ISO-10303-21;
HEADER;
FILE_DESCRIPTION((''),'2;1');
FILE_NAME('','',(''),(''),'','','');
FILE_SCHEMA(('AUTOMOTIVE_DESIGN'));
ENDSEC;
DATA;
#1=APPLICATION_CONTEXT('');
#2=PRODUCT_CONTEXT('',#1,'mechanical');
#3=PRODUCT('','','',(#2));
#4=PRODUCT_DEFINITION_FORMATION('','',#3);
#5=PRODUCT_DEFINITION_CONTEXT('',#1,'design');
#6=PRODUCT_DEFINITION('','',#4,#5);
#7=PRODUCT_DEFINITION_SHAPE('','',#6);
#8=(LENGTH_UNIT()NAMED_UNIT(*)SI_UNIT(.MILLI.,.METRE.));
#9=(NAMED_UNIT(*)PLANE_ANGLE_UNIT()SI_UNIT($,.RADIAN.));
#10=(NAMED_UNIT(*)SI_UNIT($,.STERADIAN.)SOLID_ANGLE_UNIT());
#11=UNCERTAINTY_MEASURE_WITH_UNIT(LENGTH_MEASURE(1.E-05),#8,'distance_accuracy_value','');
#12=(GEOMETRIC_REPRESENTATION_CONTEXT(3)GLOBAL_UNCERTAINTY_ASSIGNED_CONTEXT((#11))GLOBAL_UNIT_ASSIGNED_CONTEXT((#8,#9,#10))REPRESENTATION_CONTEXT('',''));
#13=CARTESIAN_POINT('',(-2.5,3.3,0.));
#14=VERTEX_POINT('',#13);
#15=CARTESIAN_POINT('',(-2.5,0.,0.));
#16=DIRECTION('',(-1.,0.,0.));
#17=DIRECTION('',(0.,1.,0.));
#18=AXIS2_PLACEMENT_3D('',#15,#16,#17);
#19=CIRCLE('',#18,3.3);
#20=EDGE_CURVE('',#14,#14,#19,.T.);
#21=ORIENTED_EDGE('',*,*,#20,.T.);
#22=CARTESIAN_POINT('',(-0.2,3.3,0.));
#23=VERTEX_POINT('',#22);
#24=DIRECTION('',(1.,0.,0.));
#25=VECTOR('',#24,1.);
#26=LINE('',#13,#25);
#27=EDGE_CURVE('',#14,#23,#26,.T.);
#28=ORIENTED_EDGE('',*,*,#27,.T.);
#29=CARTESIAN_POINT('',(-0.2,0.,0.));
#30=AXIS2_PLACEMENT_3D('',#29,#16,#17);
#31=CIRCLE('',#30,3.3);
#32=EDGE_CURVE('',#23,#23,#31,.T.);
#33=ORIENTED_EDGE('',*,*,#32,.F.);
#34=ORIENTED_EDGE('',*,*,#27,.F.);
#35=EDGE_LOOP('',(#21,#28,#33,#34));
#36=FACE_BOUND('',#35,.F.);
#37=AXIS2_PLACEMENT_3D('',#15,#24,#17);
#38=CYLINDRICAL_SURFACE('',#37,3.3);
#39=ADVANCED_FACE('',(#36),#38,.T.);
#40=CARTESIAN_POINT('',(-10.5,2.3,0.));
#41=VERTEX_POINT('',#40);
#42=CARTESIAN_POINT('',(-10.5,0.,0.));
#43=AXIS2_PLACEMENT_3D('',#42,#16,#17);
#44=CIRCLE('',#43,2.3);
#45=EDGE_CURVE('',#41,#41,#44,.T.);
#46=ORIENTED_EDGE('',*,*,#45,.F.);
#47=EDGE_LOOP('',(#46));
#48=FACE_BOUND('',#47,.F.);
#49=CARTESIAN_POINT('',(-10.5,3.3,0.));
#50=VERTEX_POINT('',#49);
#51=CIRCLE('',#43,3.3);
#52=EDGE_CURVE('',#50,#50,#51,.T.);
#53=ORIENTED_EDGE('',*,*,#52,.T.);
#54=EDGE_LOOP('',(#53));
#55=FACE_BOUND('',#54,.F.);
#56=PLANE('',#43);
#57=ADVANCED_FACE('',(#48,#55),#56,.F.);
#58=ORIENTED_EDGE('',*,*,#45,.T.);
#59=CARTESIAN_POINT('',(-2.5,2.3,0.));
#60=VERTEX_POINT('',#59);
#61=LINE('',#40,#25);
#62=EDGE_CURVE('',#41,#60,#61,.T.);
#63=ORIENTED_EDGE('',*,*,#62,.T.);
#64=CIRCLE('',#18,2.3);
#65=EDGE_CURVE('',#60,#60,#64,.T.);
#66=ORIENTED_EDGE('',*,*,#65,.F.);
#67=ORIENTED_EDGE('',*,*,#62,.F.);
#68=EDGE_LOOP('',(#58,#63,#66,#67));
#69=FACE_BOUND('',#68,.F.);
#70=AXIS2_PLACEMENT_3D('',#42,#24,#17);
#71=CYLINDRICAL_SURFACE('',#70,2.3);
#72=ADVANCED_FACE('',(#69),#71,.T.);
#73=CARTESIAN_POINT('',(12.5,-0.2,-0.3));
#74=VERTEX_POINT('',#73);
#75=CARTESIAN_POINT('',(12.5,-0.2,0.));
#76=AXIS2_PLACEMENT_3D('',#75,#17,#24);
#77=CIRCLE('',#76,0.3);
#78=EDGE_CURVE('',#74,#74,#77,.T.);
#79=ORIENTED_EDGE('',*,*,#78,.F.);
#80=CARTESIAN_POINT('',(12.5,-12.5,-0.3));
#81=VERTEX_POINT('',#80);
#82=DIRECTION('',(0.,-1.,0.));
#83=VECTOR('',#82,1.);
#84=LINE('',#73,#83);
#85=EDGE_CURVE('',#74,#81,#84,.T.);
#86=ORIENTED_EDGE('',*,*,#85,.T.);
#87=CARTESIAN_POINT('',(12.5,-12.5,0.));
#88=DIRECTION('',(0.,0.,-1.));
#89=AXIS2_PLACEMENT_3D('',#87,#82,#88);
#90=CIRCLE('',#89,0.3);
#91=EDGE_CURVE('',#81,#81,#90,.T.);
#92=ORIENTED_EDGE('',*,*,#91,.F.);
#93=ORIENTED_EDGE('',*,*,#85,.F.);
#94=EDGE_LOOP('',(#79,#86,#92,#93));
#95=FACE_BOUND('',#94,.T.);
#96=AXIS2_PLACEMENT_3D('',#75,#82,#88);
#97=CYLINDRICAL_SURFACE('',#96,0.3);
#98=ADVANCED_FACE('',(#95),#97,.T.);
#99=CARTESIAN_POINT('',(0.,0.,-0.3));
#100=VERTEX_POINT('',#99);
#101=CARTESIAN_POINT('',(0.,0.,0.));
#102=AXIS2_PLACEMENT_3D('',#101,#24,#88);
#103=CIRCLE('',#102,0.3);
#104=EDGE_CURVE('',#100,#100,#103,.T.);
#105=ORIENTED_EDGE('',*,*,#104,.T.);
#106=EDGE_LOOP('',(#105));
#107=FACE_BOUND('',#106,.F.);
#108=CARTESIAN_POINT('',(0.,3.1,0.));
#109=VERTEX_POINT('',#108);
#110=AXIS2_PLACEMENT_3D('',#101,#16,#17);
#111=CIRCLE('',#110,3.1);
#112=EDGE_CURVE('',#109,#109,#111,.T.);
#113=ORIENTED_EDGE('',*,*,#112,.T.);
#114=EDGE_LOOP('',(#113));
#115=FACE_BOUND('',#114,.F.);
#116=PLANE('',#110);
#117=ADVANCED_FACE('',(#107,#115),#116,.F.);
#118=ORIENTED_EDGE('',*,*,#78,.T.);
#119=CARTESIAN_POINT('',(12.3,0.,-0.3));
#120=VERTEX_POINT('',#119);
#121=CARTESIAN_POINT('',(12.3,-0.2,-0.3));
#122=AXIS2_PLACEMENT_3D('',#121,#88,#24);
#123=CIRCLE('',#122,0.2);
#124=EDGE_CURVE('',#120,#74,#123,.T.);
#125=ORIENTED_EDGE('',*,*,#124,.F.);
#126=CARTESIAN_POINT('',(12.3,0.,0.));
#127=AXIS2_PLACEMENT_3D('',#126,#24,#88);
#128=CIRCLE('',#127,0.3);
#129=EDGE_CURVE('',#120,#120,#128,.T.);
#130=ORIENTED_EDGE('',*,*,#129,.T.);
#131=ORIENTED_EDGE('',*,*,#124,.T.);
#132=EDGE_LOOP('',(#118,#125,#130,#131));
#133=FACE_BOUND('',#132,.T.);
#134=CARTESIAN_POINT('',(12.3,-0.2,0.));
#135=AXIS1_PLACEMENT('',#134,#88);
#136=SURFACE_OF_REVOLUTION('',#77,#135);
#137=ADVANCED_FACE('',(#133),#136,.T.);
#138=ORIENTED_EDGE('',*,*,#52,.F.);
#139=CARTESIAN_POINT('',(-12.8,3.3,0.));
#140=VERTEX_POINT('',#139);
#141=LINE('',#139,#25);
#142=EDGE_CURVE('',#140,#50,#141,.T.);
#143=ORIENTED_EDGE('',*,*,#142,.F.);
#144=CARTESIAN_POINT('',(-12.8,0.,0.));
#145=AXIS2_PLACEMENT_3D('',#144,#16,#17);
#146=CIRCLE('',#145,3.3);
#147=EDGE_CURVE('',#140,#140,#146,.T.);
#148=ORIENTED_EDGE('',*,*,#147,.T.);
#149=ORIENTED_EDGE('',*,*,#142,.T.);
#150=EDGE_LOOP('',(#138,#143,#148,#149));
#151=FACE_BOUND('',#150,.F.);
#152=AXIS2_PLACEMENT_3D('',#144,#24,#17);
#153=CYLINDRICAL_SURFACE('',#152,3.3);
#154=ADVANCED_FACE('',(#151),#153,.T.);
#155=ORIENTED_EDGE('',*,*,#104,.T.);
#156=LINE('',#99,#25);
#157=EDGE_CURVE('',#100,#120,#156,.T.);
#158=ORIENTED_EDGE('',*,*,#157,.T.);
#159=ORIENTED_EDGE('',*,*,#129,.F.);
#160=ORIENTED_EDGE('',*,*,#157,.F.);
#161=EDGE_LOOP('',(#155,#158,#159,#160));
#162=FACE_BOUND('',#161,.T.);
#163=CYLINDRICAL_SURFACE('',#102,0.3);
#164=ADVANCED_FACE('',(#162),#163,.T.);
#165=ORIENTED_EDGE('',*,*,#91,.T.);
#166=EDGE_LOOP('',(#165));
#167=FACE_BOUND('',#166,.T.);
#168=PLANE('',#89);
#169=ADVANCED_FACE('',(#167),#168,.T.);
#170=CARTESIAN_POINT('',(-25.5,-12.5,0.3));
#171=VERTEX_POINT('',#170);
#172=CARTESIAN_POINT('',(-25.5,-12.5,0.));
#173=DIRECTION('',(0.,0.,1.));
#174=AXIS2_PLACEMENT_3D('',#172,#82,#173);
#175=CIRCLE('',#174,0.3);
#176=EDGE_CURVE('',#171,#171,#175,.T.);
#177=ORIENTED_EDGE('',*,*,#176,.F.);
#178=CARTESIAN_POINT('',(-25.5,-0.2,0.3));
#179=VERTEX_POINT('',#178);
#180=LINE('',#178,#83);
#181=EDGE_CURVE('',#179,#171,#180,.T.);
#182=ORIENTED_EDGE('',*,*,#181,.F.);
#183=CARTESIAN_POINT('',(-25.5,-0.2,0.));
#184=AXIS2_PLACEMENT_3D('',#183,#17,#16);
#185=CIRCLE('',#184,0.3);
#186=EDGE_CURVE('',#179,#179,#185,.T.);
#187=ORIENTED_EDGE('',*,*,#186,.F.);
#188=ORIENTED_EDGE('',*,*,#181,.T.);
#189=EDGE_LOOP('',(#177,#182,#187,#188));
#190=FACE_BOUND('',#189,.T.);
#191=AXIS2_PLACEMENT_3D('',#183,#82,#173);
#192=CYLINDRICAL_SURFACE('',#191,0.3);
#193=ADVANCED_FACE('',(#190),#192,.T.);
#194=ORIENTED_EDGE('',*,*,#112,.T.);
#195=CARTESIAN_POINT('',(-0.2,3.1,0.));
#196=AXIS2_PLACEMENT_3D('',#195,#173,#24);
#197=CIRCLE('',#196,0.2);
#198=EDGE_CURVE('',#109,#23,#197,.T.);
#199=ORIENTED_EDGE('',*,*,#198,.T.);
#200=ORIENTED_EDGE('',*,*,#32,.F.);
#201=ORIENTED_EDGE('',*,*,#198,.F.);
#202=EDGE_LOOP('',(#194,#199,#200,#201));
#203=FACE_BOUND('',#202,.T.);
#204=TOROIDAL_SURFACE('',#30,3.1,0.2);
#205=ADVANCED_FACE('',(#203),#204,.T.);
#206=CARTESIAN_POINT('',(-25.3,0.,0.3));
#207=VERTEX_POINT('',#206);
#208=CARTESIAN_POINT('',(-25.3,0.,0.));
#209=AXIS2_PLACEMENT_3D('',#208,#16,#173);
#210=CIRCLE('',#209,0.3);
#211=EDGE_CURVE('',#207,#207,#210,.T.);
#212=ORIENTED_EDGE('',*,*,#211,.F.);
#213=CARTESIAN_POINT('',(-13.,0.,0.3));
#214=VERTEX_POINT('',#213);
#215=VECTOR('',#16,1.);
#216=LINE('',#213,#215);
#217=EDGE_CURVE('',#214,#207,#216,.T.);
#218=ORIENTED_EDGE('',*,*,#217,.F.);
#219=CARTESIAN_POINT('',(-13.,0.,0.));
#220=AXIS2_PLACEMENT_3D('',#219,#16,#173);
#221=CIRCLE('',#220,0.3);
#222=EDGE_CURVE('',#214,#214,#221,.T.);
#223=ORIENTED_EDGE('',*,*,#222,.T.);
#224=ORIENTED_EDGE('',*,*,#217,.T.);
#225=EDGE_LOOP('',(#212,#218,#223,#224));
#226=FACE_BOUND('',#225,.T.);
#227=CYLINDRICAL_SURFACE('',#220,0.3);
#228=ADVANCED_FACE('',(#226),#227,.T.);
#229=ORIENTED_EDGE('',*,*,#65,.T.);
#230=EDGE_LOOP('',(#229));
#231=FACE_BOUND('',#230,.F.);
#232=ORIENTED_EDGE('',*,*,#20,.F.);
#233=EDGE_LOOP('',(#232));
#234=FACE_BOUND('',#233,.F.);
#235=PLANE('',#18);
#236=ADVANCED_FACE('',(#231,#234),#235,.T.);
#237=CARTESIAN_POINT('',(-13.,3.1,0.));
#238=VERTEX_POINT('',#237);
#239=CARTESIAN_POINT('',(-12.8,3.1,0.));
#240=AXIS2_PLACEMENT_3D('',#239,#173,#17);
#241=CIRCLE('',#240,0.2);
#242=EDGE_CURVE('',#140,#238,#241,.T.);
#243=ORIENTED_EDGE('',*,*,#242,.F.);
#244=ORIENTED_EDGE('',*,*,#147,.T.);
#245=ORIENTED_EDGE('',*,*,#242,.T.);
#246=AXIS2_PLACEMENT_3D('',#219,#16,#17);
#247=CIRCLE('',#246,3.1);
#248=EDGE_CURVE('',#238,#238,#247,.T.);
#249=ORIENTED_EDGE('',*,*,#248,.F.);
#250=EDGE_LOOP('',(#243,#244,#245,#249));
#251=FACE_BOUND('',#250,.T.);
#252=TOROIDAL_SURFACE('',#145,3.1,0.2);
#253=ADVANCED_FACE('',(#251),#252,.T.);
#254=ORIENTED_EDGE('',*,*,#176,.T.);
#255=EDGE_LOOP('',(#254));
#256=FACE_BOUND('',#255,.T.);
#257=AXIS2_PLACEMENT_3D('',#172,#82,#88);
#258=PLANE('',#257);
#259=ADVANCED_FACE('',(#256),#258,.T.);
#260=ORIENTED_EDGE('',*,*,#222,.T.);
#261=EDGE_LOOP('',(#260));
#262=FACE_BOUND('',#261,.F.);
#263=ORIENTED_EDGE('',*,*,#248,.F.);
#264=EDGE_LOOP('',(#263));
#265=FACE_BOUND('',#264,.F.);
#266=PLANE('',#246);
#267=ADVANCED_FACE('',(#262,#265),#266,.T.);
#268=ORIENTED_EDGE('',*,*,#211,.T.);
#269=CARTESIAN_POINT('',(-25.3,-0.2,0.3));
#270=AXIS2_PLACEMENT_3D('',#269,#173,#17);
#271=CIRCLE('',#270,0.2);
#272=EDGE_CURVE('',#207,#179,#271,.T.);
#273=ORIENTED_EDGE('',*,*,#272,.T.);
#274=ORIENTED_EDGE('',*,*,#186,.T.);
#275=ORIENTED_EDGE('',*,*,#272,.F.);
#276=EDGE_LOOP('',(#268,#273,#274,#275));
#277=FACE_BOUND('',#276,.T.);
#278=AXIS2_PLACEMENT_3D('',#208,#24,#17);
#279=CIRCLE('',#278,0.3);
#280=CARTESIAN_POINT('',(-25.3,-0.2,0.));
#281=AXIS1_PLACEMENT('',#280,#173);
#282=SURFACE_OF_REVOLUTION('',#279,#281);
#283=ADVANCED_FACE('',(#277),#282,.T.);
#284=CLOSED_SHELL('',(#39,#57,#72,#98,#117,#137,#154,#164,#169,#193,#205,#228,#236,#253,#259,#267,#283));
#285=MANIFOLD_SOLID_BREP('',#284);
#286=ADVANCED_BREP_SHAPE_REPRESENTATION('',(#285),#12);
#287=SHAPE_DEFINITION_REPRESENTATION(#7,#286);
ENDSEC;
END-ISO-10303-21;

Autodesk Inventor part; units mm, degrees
ref_plane "YZ Plane" through (0, 0, 0) normal (1, 0, 0) x (0, 1, 0)
ref_plane "XZ Plane" through (0, 0, 0) normal (0, 1, 0) x (-1, 0, 0)
ref_plane "XY Plane" through (0, 0, 0) normal (0, 0, 1) x (1, 0, 0)
sketch "Sketch1" plane through (0, 0, 0) normal (0, 0, 1) x (1, 0, 0)
  line L0 (0, 0) -> (-13, 0)
  line L1 (-13, 0) -> (-13, 3.1)
  line L2 (-12.8, 3.3) -> (-10.5, 3.3)
  line L3 (-10.5, 3.3) -> (-10.5, 2.3)
  line L4 (-10.5, 2.3) -> (-2.5, 2.3)
  line L5 (-2.5, 2.3) -> (-2.5, 3.3)
  line L6 (-2.5, 3.3) -> (-0.2, 3.3)
  line L7 (0, 3.1) -> (0, 0)
  arc A0 (-12.8, 3.3) -> (-13, 3.1) centre (-12.8, 3.1) ccw
  arc A1 (0, 3.1) -> (-0.2, 3.3) centre (-0.2, 3.1) ccw
  line L8 (-10.5, 2.3) -> (-10.5, 0)
  line L9 (-2.5, 2.3) -> (-2.5, 0)
  point P0 (-13, 3.3)
  point P1 (0, 3.3)
  dimension "d0" = 13
  dimension "d1" = 3.3
  dimension "d2" = 2.5
  dimension "d3" = 1
  dimension "d5" = 8
  dimension "d6" = 1
  dimension "d7" = 2.5
  dimension "d8" = 0.2
revolve "Revolution1" add sketch "Sketch1" angle 360 about axis through (0, 0, 0) along (-1, 0, 0)
ref_plane "Work Plane1" through (0, 0, 0) normal (1, 0, 0) x (0, 0, -1)
sketch "Sketch2" plane through (0, 0, 0) normal (1, 0, 0) x (0, 0, -1)
  circle A0 centre (0, 0) radius 0.3
  dimension "d11" = 0.6
sketch "Sketch3" plane through (0, 0, 0) normal (0, 0, 1) x (1, 0, 0)
  line L0 (0, 0) -> (12.3, 0)
  line L1 (12.5, -0.2) -> (12.5, -12.5)
  arc A0 (12.5, -0.2) -> (12.3, 0) centre (12.3, -0.2) ccw
  point P0 (12.5, 0)
  dimension "d12" = 12.5
  dimension "d13" = 12.5
  dimension "d14" = 0.2
sweep "Sweep1" add profiles "Sketch2" path "Sketch3"
ref_plane "Work Plane2" through (-13, 0, 0) normal (-1, 0, 0) x (0, 0, 1)
sketch "Sketch4" plane through (-13, 0, 0) normal (-1, 0, 0) x (0, 0, 1)
  circle A0 centre (0, 0) radius 0.3 projected
  circle A1 centre (0, 0) radius 0.3
  point P0 (0, 0)
  dimension "d18" = 0.6
sketch "Sketch5" plane through (0, 0, 0) normal (0, 0, 1) x (1, 0, 0)
  line L0 (-13, 3.1) -> (-13, -3.1) projected
  line L1 (-13, 0) -> (-25.3, 0)
  line L2 (-25.5, -0.2) -> (-25.5, -12.5)
  arc A0 (-25.3, 0) -> (-25.5, -0.2) centre (-25.3, -0.2) ccw
  point P0 (0, 0)
  point P1 (-25.5, 0)
  dimension "d19" = 12.5
  dimension "d20" = 12.5
  dimension "d21" = 0.2
sweep "Sweep2" add profiles "Sketch4" path "Sketch5" path curves L1 A0 L2
equation "\"BendRadius\" = Thickness"
equation "\"BendReliefWidth\" = Thickness"
equation "\"BendReliefDepth\" = 0.5 * Thickness"
equation "\"CornerReliefSize\" = 4 * Thickness"
equation "\"MinimumRemnant\" = 2 * Thickness"
equation "\"TransitionRadius\" = BendRadius"
equation "\"JacobiRadiusSize\" = BendRadius"
equation "\"GapSize\" = Thickness"
equation "\"Thickness\" = 3.048"
properties part number "A44"
